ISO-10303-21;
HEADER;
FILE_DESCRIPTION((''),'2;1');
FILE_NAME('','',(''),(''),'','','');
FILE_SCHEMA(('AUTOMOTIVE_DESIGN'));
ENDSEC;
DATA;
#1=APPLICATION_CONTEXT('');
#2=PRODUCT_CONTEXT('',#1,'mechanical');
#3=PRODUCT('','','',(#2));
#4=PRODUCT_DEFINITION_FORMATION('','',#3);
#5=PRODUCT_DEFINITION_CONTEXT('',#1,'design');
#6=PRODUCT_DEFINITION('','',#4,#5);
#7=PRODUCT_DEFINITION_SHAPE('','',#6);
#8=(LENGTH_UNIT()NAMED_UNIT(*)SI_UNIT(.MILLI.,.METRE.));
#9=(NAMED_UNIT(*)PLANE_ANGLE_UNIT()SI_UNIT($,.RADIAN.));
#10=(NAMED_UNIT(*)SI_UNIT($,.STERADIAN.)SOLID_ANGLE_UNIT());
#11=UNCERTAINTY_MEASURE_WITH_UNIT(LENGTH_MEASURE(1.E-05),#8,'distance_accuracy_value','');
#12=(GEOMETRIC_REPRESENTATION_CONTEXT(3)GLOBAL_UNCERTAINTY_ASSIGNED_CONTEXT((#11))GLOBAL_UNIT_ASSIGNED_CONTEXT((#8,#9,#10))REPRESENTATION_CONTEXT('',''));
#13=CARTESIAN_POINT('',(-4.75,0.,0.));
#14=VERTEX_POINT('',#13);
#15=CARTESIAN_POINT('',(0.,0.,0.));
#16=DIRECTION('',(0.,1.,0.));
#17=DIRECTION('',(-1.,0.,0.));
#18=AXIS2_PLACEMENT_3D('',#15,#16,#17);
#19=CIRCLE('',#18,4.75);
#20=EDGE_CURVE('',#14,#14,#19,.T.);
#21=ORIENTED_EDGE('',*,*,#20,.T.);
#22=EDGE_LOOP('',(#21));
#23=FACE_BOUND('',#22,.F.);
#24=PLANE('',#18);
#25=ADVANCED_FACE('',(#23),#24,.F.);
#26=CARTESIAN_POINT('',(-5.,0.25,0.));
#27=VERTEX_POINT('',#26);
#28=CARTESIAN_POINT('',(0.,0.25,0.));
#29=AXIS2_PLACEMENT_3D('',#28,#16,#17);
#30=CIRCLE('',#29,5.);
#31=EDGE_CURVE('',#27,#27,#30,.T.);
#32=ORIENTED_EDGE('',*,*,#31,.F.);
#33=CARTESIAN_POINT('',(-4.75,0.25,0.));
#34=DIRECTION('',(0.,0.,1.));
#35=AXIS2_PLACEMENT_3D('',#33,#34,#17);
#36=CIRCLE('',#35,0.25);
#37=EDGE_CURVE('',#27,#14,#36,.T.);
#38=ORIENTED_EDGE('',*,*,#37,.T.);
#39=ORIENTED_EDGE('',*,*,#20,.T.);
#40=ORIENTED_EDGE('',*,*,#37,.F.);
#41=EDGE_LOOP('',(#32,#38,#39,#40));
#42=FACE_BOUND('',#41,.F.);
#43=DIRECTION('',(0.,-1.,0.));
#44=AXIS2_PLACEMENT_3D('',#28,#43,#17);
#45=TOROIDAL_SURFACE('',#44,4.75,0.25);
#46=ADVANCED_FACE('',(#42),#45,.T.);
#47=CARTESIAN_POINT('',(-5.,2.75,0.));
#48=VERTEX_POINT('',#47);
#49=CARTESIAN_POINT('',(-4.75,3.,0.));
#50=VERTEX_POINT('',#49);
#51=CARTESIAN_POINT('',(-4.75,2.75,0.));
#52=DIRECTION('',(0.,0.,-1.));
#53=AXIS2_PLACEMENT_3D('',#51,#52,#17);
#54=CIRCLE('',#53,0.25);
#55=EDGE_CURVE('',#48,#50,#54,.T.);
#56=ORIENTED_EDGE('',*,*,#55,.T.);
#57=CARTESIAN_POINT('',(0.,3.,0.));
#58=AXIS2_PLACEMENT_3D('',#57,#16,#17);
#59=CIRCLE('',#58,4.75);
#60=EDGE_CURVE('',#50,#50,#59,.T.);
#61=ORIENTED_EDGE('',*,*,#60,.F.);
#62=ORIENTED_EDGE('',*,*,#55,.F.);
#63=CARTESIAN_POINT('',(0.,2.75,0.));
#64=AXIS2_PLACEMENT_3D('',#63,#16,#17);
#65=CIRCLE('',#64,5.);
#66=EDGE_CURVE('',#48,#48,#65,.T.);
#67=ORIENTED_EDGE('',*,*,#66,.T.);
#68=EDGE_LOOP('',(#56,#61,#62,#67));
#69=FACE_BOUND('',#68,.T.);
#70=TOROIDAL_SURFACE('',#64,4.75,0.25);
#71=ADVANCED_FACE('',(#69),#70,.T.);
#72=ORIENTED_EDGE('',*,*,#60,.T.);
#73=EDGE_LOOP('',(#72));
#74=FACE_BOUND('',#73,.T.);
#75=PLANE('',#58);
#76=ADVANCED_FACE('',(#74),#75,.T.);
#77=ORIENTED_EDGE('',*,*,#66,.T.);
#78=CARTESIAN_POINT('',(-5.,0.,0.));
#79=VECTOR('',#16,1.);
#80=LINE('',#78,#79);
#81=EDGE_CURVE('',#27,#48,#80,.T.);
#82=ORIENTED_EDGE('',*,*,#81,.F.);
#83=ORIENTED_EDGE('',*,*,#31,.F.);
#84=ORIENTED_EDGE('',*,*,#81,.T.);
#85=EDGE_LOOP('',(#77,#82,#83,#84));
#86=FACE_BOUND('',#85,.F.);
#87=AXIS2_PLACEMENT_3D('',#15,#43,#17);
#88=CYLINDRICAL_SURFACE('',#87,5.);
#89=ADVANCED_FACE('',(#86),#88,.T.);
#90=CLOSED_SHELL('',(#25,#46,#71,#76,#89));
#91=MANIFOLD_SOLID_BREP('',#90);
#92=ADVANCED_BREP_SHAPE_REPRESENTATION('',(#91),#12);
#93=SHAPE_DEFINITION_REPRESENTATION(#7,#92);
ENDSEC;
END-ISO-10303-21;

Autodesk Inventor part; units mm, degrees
ref_plane "YZ Plane" through (0, 0, 0) normal (1, 0, 0) x (0, 1, 0)
ref_plane "XZ Plane" through (0, 0, 0) normal (0, 1, 0) x (-1, 0, 0)
ref_plane "XY Plane" through (0, 0, 0) normal (0, 0, 1) x (1, 0, 0)
sketch "Sketch1" plane through (0, 0, 0) normal (0, 1, 0) x (-1, 0, 0)
  circle A0 centre (0, 0) radius 5
  dimension "d0" = 10
extrude "Extrusion1" add sketch "Sketch1" along normal blind 3
fillet "Fillet1" radius 0.25 2 edges at (5, 3, 0) (5, 0, 0)
properties part number "Vibrator Motor"
